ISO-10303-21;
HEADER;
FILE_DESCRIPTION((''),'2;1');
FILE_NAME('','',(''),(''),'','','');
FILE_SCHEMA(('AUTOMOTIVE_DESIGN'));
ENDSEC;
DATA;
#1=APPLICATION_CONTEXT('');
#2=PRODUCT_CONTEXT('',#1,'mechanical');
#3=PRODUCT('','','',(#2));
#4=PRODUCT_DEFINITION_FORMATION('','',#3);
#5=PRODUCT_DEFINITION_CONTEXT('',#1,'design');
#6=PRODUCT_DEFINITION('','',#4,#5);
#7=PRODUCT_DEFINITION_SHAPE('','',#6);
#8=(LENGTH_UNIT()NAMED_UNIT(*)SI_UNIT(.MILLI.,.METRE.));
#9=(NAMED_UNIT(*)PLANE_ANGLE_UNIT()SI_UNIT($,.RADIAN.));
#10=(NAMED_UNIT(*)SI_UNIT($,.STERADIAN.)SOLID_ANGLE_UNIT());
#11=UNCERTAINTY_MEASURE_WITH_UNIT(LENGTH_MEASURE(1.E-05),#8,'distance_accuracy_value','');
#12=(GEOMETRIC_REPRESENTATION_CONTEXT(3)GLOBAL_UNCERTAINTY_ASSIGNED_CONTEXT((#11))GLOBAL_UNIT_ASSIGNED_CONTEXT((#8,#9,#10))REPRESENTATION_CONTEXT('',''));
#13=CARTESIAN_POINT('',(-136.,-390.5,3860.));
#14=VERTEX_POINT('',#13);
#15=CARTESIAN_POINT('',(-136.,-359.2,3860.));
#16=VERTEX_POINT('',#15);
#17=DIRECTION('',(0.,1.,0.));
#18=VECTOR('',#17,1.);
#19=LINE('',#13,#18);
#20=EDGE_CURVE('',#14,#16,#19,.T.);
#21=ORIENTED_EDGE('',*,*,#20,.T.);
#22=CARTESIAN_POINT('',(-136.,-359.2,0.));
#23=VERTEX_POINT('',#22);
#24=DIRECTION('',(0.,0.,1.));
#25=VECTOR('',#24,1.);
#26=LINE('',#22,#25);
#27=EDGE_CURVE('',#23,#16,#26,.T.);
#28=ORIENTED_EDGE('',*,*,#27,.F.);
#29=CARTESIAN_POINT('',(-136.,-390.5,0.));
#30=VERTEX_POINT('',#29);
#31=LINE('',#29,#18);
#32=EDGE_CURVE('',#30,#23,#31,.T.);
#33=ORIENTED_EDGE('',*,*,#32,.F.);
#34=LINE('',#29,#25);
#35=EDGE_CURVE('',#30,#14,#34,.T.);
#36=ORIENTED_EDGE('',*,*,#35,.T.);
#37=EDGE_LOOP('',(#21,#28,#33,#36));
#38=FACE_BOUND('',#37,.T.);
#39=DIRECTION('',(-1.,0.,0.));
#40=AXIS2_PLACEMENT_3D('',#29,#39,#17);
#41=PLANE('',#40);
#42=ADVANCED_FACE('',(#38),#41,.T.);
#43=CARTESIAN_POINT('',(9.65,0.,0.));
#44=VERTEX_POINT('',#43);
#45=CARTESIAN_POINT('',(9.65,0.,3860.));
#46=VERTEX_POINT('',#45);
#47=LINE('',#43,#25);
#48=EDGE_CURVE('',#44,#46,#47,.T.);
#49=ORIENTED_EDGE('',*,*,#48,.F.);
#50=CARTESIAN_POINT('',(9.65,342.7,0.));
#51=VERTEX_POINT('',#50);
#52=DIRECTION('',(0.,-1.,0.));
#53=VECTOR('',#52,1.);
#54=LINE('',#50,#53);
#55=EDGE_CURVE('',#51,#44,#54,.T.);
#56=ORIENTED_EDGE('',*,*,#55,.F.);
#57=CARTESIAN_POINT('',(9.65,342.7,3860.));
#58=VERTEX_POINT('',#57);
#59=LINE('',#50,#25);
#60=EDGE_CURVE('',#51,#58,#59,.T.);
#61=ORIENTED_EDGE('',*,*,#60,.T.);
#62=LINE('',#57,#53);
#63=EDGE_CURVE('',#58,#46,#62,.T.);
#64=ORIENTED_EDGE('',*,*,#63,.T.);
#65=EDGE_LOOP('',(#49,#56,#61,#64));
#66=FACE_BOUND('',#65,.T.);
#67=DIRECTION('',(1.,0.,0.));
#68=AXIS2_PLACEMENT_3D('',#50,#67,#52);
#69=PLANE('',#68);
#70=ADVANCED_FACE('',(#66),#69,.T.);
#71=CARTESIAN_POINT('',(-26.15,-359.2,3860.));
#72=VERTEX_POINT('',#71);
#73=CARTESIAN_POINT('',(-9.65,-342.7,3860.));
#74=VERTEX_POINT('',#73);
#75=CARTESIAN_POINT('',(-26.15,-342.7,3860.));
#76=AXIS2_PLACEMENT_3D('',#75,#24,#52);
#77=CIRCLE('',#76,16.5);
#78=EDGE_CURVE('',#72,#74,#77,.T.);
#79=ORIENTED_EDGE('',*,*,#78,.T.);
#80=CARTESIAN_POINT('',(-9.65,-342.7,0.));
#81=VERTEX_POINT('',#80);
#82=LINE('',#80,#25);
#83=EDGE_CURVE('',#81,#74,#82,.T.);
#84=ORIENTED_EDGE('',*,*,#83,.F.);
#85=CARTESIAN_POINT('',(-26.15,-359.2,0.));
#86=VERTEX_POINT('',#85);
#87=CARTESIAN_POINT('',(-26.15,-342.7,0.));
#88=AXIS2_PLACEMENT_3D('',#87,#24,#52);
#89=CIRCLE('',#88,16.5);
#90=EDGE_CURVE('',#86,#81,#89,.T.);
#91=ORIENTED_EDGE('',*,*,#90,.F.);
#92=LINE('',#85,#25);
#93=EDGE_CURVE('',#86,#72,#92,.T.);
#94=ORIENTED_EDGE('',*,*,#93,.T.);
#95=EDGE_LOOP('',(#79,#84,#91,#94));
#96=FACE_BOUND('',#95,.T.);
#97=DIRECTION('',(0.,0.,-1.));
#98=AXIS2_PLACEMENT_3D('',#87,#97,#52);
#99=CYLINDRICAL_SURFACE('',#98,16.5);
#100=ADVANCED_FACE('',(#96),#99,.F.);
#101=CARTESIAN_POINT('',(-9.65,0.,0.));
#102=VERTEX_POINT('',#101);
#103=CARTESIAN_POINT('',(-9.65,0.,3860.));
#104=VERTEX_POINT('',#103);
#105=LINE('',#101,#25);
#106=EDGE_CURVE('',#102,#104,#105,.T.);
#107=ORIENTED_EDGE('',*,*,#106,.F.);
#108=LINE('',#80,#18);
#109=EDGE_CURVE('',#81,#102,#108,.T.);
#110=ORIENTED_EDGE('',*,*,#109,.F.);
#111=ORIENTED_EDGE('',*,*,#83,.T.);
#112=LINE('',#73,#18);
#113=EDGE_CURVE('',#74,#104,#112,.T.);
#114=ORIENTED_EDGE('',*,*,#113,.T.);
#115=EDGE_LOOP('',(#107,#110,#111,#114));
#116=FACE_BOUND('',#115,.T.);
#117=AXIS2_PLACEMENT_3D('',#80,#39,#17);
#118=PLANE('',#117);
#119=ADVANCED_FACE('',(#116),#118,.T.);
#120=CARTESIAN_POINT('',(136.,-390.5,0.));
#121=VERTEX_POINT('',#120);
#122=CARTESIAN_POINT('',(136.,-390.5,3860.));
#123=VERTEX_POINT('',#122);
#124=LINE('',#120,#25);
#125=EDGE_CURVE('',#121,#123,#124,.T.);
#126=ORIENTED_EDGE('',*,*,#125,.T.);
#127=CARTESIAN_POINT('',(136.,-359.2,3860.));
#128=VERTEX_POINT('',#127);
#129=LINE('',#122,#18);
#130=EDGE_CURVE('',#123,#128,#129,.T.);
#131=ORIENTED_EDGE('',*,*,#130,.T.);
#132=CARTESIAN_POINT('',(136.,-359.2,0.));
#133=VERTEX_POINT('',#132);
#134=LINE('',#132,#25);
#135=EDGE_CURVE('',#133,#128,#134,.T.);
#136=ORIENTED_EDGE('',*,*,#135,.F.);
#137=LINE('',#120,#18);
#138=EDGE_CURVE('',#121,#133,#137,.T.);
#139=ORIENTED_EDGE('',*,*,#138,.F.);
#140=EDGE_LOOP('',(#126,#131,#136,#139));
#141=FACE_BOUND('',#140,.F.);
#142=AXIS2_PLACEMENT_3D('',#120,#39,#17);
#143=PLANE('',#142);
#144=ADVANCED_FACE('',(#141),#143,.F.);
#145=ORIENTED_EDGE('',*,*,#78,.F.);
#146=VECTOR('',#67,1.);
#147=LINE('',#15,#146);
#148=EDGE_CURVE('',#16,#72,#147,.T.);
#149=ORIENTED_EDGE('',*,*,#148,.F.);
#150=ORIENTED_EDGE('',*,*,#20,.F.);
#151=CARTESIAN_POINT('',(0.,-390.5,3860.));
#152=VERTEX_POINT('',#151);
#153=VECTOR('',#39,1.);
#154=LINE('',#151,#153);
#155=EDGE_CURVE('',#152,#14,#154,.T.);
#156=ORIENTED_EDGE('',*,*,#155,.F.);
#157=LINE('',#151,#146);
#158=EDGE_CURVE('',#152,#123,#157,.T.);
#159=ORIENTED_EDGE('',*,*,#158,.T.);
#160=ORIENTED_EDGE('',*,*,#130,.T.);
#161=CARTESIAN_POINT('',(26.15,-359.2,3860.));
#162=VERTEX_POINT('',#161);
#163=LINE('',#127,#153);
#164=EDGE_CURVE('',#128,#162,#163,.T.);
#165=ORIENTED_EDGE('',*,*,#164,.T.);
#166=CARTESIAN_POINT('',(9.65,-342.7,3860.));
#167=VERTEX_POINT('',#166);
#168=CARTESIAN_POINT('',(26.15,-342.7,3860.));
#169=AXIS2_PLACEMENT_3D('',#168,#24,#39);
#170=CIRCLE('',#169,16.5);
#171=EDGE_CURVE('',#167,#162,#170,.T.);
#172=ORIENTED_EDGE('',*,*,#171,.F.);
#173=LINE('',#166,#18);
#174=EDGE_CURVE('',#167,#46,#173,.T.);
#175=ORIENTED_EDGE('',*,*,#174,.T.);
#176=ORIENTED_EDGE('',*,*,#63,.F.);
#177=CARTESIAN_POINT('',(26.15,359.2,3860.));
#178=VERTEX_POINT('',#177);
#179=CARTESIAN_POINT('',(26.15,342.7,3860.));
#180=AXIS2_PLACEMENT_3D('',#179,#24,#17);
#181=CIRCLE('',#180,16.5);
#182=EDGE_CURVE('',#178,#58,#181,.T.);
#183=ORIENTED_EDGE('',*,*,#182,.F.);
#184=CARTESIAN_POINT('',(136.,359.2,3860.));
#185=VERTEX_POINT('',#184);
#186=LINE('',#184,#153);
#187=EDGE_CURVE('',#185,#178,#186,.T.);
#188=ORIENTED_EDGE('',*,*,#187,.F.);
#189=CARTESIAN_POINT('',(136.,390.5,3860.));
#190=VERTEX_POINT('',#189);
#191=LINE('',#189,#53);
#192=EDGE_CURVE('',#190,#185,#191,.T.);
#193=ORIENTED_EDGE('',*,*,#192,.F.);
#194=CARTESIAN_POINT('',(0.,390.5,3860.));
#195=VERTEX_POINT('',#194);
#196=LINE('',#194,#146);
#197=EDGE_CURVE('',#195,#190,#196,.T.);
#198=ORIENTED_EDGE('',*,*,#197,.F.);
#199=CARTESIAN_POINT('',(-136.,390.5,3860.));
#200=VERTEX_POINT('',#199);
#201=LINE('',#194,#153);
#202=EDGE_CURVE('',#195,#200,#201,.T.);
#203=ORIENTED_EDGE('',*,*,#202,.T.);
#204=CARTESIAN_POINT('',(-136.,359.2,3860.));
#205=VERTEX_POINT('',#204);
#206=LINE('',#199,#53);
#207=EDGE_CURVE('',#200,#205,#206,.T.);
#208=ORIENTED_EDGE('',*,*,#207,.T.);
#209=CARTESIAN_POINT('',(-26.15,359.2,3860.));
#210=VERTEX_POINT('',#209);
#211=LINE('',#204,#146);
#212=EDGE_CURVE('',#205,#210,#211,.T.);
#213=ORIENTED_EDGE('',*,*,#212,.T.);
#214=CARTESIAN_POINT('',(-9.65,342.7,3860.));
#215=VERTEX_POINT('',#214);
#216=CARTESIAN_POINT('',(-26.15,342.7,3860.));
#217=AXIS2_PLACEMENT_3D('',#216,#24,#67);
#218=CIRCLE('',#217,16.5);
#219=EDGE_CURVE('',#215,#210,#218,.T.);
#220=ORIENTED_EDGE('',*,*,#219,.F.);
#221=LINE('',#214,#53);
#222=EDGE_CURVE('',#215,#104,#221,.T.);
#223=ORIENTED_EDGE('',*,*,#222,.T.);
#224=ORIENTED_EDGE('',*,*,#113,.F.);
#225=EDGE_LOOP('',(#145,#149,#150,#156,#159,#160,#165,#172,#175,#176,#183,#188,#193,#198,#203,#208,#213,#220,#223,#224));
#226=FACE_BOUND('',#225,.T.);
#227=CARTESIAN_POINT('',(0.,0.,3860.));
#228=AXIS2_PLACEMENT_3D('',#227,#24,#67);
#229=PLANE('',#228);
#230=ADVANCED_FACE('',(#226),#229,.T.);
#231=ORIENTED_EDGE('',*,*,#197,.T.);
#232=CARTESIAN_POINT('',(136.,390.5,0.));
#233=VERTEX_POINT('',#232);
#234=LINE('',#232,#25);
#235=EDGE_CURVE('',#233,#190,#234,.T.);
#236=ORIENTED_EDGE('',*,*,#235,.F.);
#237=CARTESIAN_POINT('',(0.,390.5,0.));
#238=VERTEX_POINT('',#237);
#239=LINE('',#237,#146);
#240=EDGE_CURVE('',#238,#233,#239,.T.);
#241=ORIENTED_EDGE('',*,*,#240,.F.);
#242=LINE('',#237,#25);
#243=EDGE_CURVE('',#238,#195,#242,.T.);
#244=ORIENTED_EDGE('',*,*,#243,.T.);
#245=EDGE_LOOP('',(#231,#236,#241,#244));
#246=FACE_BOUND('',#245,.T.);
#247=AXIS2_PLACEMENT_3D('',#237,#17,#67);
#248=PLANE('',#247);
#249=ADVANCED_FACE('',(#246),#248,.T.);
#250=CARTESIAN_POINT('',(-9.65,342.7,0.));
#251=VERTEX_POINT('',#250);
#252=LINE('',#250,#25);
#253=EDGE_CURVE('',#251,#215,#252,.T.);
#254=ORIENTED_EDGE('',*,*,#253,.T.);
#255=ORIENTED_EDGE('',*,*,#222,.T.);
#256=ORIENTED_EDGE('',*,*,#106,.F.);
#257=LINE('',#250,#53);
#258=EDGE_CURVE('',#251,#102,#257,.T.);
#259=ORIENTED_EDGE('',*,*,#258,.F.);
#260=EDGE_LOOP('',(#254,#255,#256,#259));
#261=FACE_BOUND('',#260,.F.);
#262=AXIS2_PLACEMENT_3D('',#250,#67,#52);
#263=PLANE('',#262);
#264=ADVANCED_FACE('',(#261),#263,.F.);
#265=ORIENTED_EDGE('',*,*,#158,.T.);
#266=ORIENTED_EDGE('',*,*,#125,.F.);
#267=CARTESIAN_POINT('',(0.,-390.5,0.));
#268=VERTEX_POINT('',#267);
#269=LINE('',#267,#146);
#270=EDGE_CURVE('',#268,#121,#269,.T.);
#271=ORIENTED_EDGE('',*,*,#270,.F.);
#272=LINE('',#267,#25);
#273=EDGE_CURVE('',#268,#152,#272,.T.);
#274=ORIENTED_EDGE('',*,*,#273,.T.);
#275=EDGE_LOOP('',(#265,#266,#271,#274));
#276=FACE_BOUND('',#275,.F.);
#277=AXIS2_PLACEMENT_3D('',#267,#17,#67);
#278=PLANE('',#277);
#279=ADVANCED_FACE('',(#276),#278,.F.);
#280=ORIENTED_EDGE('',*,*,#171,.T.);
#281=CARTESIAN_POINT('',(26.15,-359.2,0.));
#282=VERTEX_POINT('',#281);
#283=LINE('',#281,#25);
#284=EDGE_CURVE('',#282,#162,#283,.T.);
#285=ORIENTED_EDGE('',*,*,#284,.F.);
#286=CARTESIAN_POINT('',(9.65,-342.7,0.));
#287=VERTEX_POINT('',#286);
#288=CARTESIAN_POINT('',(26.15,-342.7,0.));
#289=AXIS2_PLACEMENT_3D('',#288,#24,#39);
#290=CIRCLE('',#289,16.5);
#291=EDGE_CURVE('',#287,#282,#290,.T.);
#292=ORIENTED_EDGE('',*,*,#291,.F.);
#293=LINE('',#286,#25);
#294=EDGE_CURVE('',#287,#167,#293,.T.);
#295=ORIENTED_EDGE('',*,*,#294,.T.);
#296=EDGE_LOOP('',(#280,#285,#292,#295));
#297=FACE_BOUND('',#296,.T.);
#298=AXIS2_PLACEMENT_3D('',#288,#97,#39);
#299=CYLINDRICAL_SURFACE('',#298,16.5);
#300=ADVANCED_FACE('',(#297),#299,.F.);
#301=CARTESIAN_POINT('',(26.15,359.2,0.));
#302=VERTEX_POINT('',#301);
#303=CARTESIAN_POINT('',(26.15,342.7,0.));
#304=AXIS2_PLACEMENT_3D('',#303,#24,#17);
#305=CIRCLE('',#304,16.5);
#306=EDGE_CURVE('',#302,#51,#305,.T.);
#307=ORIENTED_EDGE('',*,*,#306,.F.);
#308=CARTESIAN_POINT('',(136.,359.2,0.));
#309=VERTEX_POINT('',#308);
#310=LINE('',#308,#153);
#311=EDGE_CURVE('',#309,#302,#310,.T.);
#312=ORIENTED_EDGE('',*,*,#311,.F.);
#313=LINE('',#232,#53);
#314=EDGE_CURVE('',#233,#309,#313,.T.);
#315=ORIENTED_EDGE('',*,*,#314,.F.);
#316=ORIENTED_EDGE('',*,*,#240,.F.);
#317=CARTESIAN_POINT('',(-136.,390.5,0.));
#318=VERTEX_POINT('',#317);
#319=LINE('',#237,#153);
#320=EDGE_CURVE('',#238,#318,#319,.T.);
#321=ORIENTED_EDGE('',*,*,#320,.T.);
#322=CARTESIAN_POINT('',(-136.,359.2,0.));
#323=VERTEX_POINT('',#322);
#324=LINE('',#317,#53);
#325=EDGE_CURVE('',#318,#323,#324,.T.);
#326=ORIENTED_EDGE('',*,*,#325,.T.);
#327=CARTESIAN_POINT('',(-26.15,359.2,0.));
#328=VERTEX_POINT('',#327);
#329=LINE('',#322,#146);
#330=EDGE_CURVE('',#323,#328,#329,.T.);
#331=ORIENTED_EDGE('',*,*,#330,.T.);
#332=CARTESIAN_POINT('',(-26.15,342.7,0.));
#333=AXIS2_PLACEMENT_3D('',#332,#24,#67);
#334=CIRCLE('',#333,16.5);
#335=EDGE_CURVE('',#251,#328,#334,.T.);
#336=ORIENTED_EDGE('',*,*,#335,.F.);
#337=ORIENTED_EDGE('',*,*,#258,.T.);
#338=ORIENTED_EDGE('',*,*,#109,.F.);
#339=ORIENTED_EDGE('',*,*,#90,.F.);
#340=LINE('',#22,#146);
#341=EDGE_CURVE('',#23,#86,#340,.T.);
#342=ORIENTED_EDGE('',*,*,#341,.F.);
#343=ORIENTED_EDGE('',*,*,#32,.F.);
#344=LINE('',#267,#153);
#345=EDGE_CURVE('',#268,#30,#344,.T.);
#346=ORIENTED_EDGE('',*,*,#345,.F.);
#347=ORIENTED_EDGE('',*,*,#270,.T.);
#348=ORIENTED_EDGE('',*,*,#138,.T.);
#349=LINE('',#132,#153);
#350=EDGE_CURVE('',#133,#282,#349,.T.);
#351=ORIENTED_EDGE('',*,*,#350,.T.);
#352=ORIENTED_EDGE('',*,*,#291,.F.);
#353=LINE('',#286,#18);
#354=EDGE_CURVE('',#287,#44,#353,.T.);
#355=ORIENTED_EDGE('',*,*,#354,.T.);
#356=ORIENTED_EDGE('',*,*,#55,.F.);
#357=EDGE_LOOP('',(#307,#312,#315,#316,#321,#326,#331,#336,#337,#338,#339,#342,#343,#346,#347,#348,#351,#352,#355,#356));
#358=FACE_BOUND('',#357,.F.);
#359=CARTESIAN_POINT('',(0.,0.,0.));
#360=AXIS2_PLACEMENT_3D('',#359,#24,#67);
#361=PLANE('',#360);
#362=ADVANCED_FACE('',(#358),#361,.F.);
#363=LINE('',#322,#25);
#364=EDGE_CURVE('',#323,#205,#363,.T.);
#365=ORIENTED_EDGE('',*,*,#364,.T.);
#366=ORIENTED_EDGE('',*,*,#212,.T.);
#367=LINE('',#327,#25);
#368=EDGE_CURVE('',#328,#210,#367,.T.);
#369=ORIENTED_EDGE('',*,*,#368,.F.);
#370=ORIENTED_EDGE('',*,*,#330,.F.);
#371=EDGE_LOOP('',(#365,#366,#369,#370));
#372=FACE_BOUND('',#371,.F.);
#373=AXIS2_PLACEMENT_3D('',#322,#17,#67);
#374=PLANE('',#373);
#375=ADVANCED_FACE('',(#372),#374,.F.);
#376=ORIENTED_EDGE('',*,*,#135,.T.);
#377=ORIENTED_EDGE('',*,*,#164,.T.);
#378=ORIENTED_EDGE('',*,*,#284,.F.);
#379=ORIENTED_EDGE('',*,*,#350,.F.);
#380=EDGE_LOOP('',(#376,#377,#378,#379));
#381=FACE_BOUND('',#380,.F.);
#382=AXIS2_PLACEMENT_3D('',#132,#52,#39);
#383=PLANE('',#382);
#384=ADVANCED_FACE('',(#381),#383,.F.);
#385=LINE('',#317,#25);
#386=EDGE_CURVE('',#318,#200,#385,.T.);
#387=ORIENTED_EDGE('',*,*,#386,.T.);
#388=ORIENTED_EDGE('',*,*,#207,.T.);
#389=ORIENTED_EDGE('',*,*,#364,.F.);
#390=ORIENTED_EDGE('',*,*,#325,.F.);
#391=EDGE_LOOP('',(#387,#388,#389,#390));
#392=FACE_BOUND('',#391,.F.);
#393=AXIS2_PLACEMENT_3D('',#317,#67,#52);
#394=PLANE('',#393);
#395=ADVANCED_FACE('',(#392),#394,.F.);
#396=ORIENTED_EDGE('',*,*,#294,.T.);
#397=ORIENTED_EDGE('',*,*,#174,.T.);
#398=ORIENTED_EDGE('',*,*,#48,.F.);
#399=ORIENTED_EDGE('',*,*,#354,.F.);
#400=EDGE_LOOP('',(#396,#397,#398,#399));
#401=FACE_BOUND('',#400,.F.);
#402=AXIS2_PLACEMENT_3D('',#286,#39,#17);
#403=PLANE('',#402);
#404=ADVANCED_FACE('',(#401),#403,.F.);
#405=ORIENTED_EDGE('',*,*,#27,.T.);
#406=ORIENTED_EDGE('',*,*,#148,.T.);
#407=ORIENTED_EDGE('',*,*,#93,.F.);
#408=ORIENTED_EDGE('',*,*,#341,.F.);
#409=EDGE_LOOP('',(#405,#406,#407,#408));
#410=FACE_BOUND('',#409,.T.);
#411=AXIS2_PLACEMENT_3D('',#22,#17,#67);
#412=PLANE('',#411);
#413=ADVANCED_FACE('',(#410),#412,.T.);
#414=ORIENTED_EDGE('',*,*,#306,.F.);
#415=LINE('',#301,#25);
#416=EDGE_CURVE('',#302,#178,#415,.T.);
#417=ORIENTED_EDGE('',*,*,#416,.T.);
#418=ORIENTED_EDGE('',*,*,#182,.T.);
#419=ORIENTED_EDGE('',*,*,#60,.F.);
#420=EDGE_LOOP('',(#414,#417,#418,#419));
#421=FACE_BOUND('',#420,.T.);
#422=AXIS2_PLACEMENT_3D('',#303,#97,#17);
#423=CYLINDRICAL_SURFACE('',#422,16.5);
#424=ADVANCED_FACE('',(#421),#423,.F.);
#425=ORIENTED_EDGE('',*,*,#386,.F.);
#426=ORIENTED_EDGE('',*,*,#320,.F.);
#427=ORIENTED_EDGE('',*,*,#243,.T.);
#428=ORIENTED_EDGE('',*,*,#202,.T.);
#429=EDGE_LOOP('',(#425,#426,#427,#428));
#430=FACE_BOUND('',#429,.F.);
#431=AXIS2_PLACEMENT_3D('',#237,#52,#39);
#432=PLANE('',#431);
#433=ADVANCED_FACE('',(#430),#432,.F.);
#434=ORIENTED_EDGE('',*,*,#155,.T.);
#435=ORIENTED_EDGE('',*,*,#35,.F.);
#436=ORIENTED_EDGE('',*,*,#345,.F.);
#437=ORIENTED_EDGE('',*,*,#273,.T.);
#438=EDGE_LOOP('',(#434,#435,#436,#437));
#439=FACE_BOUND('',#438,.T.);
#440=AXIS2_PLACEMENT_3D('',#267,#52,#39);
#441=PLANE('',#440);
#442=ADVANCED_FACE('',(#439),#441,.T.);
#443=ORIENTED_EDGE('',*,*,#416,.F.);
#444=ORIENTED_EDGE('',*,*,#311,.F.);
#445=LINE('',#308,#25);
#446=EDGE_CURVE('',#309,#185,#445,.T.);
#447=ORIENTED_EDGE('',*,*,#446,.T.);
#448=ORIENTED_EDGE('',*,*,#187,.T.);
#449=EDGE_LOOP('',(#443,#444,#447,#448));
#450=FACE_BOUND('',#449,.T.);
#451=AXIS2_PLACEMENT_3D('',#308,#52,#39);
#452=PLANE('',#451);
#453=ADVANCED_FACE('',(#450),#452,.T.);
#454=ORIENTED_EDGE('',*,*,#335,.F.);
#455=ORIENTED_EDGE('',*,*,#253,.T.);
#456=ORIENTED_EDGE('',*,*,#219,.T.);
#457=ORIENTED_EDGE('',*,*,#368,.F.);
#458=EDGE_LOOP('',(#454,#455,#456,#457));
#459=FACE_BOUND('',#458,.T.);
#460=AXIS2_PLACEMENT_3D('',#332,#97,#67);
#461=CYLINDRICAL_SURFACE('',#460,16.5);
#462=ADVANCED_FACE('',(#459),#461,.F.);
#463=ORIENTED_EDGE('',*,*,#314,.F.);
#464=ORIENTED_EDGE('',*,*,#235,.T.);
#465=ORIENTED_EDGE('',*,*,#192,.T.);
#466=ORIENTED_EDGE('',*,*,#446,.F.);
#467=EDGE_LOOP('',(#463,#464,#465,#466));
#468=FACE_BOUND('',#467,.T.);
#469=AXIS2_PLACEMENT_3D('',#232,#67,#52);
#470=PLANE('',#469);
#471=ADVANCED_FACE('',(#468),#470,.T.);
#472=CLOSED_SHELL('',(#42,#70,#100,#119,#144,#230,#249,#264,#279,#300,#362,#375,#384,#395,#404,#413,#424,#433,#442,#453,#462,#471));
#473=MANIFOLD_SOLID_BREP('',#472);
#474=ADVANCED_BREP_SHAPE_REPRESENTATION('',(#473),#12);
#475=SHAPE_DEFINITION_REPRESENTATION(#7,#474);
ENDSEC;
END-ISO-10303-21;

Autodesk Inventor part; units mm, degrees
ref_plane "YZ Plane" through (0, 0, 0) normal (1, 0, 0) x (0, 1, 0)
ref_plane "Start plane" through (0, 0, 0) normal (0, 0, 1) x (1, 0, 0)
ref_plane "End plane" through (0, 0, 3860) normal (0, 0, 1) x (1, 0, 0)
sketch "Sketch" plane through (0, 0, 0) normal (0, 0, 1) x (1, 0, 0)
  line L0 (-136, -390.5) -> (-136, -359.2)
  line L1 (-136, -359.2) -> (-26.15, -359.2)
  line L2 (-9.65, -342.7) -> (-9.65, 0)
  line L3 (-9.65, 0) -> (0, 0) construction
  line L4 (0, 0) -> (0, -390.5) construction
  line L5 (0, -390.5) -> (-136, -390.5)
  line L6 (-60, 0) -> (80, 0) construction
  line L7 (0, -60) -> (0, 80) construction
  line L8 (136, -390.5) -> (136, -359.2)
  line L9 (136, -359.2) -> (26.15, -359.2)
  line L10 (9.65, -342.7) -> (9.65, 0)
  line L11 (9.65, 0) -> (0, 0) construction
  line L12 (0, -390.5) -> (136, -390.5)
  line L13 (-136, 390.5) -> (-136, 359.2)
  line L14 (-136, 359.2) -> (-26.15, 359.2)
  line L15 (-9.65, 342.7) -> (-9.65, 0)
  line L16 (0, 390.5) -> (-136, 390.5)
  line L17 (136, 390.5) -> (136, 359.2)
  line L18 (136, 359.2) -> (26.15, 359.2)
  line L19 (0, 390.5) -> (136, 390.5)
  line L20 (9.65, 342.7) -> (9.65, 0)
  arc A0 (-9.65, 342.7) -> (-26.15, 359.2) centre (-26.15, 342.7) ccw
  arc A1 (26.15, 359.2) -> (9.65, 342.7) centre (26.15, 342.7) ccw
  arc A2 (9.65, -342.7) -> (26.15, -359.2) centre (26.15, -342.7) ccw
  arc A3 (-26.15, -359.2) -> (-9.65, -342.7) centre (-26.15, -342.7) ccw
  line L21 (0, 108) -> (0, -88) construction
  line L22 (-88, 0) -> (108, 0) construction
  point P0 (-9.65, -359.2)
  point P1 (9.65, -359.2)
  point P2 (-9.65, 359.2)
  point P3 (9.65, 359.2)
  dimension "d1" = 390.5
  dimension "d2" = 31.3
  dimension "d3" = 136
  dimension "d4" = 9.65
  dimension "d10" = 16.5
extrude "Body" add sketch "Sketch" along normal up to surface (3860 mm away) from surface at 0
sketch "Sketch4" plane through (0, 0, 0) normal (0, 0, 1) x (1, 0, 0)
  line L0 (0, 0) -> (10, 0)
ref_plane "Work Plane3" through (0, 0, 0) normal (0, -1, 0) x (1, 0, 0)
sketch "Sketch5" plane through (0, 0, 0) normal (0, -1, 0) x (1, 0, 0)
  line L0 (-2, 0) -> (12, 0) projected
  line L1 (-2, 3860) -> (12, 3860) projected
  dimension "d14" = 3860
equation "\"d1\" = 0.5 * G_H"
equation "\"d2\" = G_T1"
equation "\"d3\" = 0.5 * G_W"
equation "\"d4\" = 0.5 * G_T"
equation "\"d10\" = G_IR"
equation "\"d5\" = G_L"
equation "\"G_W\" = 272"
equation "\"G_H\" = 781"
equation "\"G_T\" = 19.3"
equation "\"G_T1\" = 31.3"
equation "\"G_IR\" = 16.5"
equation "\"G_L\" = d14"
equation "\"G_OFFSET_START\" = 0"
equation "\"G_OFFSET_END\" = 0"
properties part number "AS 3679-1990 - 760 UB - 244 - 3860" material "Steel, Mild"
